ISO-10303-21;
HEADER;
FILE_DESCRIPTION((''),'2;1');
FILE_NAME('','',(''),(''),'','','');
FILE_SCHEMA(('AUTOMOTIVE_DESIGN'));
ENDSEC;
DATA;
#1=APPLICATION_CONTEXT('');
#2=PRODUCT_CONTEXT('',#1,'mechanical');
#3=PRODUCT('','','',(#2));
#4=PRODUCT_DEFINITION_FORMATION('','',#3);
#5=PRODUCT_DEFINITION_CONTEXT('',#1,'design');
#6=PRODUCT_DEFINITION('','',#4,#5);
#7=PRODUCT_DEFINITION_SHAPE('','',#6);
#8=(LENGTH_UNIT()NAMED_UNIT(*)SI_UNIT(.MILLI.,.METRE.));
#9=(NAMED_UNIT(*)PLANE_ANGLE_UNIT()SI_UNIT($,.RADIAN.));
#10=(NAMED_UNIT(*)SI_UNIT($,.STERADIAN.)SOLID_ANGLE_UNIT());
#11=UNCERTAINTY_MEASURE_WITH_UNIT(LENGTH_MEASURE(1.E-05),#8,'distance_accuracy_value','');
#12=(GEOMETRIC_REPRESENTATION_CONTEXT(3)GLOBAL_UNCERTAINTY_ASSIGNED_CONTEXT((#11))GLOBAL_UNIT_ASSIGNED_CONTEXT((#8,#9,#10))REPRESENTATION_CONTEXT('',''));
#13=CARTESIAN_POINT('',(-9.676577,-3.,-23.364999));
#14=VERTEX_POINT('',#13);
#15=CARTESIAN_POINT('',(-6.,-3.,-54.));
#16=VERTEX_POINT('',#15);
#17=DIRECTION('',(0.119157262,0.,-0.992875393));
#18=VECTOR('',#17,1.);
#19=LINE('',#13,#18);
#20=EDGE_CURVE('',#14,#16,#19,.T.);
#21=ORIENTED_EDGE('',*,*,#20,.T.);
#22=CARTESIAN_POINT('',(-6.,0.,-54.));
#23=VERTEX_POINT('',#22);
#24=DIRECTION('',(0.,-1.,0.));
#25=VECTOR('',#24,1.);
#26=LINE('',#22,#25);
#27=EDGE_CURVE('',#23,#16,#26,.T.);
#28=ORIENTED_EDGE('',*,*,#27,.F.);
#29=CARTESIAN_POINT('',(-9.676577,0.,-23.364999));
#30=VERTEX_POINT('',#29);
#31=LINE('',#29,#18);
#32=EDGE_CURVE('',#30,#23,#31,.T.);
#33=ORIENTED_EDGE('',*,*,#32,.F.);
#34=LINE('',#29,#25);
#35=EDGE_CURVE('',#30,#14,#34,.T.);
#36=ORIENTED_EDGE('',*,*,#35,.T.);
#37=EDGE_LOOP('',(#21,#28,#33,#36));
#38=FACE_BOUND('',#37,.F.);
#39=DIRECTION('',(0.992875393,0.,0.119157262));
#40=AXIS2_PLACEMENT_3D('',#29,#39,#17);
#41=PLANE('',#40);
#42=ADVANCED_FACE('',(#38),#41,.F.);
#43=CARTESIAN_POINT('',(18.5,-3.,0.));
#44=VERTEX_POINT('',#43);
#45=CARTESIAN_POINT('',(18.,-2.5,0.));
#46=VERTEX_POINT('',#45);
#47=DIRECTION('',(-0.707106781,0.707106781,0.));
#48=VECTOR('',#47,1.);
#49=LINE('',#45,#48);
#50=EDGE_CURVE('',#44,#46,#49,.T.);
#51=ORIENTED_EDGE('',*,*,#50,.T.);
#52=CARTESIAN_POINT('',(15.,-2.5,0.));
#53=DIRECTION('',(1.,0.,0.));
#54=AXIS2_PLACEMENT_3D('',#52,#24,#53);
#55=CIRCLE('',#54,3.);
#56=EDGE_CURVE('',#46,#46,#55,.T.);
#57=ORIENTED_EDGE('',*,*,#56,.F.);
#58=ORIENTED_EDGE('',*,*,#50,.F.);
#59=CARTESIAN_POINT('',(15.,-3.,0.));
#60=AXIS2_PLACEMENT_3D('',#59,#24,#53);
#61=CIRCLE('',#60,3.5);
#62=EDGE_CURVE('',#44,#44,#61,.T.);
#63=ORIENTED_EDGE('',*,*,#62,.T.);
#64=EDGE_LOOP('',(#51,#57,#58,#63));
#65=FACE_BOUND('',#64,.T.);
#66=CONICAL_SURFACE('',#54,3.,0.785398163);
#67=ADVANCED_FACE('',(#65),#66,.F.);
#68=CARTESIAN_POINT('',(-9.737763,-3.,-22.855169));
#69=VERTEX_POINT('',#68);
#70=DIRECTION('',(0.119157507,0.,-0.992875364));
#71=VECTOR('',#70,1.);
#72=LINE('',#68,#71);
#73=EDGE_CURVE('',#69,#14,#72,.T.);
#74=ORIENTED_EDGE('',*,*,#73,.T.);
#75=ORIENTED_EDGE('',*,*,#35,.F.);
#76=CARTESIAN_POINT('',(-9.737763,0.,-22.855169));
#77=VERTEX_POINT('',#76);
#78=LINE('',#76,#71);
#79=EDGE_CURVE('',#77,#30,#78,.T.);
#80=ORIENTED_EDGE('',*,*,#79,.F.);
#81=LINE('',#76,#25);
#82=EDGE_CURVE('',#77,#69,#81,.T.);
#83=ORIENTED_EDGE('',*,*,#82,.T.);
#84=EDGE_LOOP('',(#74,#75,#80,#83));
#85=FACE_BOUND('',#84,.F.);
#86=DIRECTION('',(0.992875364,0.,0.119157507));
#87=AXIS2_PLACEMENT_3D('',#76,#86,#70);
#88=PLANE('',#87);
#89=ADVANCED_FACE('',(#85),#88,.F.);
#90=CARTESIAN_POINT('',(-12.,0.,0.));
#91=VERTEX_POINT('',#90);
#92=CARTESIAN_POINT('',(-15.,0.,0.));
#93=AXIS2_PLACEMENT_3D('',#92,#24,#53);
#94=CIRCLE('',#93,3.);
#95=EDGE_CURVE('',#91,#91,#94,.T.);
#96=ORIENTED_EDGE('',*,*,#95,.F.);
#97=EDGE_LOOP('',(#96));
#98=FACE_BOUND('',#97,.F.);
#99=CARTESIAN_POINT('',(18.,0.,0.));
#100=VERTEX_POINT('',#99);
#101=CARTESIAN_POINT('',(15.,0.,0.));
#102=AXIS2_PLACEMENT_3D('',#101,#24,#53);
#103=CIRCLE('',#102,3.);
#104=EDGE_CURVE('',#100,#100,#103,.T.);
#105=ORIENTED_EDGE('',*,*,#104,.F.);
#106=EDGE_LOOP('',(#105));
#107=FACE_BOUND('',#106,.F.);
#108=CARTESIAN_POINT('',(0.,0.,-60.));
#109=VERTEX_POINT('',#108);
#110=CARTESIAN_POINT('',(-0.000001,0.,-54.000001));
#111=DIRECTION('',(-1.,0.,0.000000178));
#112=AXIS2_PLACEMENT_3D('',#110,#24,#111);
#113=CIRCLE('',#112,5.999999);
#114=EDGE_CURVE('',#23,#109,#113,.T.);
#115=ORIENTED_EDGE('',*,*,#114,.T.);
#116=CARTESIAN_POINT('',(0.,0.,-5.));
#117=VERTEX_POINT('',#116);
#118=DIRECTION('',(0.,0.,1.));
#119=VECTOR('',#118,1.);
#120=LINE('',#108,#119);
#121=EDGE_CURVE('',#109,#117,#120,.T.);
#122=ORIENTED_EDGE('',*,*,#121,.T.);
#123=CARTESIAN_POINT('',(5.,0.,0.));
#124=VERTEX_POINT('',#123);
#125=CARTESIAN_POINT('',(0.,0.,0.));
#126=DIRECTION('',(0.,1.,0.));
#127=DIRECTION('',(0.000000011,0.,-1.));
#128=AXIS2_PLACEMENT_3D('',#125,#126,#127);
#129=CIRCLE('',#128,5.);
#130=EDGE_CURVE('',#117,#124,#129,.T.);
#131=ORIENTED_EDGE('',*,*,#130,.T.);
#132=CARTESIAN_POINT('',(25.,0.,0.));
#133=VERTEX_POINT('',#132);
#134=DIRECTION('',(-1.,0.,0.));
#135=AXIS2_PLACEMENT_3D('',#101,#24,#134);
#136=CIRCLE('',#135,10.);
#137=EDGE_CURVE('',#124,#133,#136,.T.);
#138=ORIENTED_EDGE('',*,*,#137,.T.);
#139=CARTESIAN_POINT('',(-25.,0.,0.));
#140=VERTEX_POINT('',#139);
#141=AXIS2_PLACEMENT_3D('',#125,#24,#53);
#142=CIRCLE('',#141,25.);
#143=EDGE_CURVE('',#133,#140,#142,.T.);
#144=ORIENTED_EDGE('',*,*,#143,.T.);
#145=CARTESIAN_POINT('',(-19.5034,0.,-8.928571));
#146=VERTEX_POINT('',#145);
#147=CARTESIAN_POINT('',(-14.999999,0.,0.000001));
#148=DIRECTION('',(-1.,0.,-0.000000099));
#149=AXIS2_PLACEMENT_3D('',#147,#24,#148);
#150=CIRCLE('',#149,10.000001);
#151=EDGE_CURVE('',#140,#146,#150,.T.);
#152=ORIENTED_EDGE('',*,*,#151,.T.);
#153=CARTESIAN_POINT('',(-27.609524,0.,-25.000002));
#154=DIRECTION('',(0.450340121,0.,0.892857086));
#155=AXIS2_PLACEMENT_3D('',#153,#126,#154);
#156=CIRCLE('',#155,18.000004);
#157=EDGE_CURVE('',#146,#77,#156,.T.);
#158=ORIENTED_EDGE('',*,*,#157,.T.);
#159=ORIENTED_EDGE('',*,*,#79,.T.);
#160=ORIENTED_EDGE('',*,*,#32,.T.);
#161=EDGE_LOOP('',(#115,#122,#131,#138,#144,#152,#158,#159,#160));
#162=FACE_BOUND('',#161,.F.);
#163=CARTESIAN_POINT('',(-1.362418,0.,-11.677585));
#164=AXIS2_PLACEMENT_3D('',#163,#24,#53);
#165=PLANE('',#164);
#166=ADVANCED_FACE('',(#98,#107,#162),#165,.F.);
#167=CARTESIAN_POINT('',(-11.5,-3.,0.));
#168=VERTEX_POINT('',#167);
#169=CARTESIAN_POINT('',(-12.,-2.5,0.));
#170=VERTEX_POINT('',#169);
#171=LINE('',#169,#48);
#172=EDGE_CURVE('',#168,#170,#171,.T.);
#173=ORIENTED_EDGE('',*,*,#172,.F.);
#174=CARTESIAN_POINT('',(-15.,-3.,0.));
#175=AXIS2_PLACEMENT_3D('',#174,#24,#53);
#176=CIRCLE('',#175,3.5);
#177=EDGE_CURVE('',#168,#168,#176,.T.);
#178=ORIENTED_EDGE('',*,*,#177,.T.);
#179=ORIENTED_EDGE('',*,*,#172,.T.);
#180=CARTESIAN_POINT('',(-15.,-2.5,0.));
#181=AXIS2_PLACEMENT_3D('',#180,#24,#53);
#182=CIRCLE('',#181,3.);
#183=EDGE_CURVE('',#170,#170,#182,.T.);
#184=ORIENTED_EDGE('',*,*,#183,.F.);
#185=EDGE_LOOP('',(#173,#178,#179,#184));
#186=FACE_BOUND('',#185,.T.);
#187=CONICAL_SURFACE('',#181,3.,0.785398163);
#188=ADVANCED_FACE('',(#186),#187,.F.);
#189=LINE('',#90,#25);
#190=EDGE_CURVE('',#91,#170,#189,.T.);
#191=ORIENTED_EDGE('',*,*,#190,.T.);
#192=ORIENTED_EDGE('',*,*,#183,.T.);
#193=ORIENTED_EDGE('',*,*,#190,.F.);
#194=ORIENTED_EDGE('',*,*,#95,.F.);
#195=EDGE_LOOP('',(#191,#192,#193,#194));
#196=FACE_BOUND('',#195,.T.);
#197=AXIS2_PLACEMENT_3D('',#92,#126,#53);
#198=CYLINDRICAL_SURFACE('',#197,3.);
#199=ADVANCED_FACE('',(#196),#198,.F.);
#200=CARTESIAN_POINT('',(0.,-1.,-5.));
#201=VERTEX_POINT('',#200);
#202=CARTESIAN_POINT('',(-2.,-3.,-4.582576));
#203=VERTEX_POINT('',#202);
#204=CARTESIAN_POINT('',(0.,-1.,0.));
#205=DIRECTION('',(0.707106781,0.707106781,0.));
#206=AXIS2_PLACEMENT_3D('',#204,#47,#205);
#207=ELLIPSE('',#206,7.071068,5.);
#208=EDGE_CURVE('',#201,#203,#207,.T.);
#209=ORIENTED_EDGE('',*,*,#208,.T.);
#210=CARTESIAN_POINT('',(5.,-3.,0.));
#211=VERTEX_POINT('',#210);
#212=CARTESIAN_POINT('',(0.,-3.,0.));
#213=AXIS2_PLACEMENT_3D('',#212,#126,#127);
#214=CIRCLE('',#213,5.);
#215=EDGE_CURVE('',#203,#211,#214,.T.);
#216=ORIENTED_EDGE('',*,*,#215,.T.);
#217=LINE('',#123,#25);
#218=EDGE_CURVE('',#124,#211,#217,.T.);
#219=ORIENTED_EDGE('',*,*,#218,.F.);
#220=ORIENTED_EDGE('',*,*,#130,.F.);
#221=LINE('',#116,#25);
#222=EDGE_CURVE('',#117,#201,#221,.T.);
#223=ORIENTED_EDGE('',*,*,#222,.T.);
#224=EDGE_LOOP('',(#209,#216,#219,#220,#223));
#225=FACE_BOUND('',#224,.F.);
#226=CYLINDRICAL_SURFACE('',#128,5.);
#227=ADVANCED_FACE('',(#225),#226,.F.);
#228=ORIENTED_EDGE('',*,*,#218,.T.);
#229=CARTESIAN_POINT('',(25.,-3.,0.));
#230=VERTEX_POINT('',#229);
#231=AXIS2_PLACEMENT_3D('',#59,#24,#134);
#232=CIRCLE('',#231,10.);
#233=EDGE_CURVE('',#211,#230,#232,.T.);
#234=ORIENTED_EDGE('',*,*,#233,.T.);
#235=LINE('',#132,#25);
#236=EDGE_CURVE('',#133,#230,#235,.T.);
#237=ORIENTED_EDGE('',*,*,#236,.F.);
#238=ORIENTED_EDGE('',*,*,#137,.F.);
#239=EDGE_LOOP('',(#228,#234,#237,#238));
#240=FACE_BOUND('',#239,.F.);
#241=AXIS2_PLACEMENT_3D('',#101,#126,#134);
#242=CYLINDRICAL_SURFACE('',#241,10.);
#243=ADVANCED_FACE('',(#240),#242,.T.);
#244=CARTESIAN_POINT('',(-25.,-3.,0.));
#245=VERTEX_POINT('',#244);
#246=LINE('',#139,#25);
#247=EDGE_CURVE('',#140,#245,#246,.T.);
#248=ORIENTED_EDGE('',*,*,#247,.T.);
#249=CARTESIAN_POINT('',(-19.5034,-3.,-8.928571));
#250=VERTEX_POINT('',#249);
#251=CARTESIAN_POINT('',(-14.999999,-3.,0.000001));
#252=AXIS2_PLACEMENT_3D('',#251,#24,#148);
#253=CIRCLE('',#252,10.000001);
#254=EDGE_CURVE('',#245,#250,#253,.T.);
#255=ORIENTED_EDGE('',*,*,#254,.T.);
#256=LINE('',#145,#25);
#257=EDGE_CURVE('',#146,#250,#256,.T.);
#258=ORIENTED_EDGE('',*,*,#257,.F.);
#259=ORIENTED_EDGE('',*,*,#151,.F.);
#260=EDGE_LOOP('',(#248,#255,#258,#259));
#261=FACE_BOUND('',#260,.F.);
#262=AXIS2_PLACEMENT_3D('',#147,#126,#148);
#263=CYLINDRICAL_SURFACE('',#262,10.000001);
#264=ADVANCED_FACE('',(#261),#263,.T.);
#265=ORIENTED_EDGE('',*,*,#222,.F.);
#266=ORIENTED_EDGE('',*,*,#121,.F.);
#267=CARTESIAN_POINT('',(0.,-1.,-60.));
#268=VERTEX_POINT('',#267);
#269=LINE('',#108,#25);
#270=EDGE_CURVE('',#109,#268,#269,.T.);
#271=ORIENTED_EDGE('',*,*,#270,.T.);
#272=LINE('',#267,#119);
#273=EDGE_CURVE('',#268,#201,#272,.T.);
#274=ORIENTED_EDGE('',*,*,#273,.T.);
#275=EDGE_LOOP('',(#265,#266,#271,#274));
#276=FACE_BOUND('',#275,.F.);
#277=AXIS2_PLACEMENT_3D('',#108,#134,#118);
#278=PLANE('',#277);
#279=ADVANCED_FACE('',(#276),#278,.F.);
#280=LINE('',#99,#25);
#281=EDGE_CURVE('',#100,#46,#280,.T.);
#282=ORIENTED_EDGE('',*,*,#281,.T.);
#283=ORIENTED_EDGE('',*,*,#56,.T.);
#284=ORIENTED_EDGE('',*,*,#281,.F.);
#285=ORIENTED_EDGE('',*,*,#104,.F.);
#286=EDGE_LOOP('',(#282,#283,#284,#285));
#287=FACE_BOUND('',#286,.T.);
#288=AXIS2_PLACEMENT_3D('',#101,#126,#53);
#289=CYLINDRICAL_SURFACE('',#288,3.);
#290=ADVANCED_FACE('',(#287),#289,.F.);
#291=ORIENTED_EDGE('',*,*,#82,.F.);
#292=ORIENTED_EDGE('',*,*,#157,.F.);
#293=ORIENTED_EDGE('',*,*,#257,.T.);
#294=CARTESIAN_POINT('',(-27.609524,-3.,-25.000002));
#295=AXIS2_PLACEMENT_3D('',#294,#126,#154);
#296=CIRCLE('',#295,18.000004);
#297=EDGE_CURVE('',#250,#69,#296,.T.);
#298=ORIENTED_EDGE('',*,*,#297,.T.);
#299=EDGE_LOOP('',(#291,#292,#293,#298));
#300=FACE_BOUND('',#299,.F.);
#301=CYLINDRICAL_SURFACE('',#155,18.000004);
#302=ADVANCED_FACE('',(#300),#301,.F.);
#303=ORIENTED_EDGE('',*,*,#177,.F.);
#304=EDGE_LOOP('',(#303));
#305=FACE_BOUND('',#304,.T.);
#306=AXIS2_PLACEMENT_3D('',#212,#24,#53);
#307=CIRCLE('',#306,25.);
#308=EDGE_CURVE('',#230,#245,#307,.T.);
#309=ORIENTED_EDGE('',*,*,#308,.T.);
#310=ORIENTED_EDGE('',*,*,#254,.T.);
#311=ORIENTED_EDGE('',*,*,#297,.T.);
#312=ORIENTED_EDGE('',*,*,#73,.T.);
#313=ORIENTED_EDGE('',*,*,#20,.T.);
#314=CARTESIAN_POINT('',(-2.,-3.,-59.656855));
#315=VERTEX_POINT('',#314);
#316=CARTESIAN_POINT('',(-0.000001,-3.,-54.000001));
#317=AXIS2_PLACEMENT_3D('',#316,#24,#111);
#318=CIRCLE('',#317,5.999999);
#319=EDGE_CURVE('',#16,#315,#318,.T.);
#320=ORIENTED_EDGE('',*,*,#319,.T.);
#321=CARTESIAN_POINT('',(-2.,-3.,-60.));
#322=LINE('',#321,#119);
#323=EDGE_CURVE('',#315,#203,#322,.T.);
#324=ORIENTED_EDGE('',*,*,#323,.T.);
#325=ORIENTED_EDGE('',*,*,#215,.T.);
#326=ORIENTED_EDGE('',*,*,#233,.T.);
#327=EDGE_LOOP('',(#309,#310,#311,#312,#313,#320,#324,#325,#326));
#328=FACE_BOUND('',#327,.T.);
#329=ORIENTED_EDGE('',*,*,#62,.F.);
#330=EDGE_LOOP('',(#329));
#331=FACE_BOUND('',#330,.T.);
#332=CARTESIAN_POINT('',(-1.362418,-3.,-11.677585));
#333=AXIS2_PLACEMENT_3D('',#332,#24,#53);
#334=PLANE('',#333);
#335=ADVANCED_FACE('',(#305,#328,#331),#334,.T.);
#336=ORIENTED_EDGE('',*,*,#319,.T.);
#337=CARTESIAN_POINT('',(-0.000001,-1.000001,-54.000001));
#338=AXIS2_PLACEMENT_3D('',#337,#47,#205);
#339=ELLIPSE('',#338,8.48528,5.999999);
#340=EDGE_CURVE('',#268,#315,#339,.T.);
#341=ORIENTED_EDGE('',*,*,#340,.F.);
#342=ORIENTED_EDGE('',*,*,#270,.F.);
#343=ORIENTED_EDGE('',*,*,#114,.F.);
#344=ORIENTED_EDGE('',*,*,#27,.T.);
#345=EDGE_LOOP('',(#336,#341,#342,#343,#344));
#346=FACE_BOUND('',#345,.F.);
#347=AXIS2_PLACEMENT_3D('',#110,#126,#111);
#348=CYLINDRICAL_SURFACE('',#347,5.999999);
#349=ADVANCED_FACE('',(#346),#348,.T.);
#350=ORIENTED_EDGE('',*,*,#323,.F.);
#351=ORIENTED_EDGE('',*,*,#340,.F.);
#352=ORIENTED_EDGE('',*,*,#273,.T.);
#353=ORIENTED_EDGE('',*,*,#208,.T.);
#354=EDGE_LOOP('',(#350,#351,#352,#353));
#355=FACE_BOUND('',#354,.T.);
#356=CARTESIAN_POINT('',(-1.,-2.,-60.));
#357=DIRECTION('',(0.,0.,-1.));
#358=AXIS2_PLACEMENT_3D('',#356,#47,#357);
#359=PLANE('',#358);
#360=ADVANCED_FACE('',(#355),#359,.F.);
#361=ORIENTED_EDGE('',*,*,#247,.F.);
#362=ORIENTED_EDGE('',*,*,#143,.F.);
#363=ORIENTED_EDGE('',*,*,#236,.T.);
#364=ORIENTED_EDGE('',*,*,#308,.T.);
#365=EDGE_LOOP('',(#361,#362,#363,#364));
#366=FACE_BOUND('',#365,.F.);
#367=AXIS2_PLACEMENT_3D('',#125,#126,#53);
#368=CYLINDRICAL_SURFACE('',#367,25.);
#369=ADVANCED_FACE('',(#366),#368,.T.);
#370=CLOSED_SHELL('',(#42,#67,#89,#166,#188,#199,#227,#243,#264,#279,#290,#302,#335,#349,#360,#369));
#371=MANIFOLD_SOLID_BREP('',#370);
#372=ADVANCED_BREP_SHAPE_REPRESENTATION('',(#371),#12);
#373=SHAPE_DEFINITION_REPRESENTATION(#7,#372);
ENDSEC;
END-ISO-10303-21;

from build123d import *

# Parameters (mm, degrees)
F0_R     = 3
F1_DEPTH = 3
F2_SIZE  = 2
F3_SIZE  = 0.5


with BuildPart() as f1:
    # F0 (on Front) → F1 (new body)
    with BuildSketch(Plane.XZ):
        with BuildLine():
            ThreePointArc((0, -5), (-3.535534, 3.535534), (5, 0))
            ThreePointArc((5, 0), (15, -10), (25, 0))
            ThreePointArc((25, 0), (0, 25), (-25, 0))
            ThreePointArc((-25, 0), (-23.515691, -5.242423), (-19.5034, -8.928571))
            ThreePointArc((-19.5034, -8.928571), (-12.871812, -14.665594), (-9.737763, -22.855169))
            Line((-9.737763, -22.855169), (-9.676577, -23.364999))
            Line((-9.676577, -23.364999), (-6, -54))
            ThreePointArc((-6, -54), (-4.242641, -58.242641), (0, -60))
            Line((0, -60), (0, -5))
        make_face()
        with Locations((-15, 0)):
            Circle(F0_R, mode=Mode.SUBTRACT)
        with Locations((15, 0)):
            Circle(F0_R, mode=Mode.SUBTRACT)
    extrude(amount=F1_DEPTH)

    # F2
    f2_edges = [f1.edges().sort_by_distance(p)[0] for p in [
        (0, -3, -32.5),
    ]]
    chamfer(f2_edges, length=F2_SIZE)

    # F3
    f3_edges = [f1.edges().sort_by_distance(p)[0] for p in [
        (-18, -3, 0),
        (12, -3, 0),
    ]]
    chamfer(f3_edges, length=F3_SIZE)


solid = f1.part
